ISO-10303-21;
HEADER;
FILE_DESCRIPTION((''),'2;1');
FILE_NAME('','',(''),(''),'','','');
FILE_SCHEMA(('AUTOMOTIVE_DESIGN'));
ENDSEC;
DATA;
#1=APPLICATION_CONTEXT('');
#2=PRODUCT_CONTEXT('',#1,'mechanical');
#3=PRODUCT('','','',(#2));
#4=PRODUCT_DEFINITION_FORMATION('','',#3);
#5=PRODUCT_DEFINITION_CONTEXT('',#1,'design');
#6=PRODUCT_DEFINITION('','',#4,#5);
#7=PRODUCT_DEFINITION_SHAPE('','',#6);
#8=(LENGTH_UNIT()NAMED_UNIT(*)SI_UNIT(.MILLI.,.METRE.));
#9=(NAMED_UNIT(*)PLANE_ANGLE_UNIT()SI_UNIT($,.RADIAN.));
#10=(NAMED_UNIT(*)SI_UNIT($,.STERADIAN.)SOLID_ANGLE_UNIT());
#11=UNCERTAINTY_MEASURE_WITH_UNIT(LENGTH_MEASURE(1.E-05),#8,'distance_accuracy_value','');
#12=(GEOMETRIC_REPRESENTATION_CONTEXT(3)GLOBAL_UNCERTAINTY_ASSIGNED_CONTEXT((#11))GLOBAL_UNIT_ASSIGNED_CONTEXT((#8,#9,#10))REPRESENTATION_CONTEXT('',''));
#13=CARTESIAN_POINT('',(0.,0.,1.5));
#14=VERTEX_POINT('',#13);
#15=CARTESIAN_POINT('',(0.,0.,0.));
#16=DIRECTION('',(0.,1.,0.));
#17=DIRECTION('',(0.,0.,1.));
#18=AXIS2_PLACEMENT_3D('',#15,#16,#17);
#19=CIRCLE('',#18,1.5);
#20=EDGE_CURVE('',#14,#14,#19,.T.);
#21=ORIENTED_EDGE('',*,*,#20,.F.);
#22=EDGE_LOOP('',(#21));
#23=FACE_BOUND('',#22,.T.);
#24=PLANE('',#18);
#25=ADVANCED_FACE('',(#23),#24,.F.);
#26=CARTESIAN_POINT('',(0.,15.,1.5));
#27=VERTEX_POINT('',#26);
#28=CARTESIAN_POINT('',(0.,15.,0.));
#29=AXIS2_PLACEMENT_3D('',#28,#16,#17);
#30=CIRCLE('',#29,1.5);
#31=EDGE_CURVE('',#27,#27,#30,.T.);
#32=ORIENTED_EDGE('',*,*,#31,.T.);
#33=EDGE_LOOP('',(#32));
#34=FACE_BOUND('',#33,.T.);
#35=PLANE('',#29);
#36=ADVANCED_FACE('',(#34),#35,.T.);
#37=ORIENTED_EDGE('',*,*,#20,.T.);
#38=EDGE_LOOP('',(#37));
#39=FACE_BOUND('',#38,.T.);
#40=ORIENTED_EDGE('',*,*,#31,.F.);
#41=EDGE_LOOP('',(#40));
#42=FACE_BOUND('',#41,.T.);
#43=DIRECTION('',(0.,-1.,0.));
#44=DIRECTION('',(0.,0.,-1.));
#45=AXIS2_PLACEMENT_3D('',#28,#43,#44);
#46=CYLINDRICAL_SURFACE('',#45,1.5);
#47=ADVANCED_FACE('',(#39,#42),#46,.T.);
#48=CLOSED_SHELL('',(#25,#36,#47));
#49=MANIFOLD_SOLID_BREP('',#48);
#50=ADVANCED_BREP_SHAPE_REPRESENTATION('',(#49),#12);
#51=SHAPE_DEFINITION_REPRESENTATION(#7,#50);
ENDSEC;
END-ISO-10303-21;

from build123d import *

# Parameters (mm, degrees)
SKETCH1_R           = 1.5
BOSS_EXTRUDE1_DEPTH = 15


with BuildPart() as part:
    # Sketch1 → Boss-Extrude1 (new body)
    with BuildSketch(Plane(origin=(0, 0, 0), x_dir=(1, 0, 0), z_dir=(0, 1, 0))):
        Circle(SKETCH1_R)
    extrude(amount=BOSS_EXTRUDE1_DEPTH)


solid = part.part
